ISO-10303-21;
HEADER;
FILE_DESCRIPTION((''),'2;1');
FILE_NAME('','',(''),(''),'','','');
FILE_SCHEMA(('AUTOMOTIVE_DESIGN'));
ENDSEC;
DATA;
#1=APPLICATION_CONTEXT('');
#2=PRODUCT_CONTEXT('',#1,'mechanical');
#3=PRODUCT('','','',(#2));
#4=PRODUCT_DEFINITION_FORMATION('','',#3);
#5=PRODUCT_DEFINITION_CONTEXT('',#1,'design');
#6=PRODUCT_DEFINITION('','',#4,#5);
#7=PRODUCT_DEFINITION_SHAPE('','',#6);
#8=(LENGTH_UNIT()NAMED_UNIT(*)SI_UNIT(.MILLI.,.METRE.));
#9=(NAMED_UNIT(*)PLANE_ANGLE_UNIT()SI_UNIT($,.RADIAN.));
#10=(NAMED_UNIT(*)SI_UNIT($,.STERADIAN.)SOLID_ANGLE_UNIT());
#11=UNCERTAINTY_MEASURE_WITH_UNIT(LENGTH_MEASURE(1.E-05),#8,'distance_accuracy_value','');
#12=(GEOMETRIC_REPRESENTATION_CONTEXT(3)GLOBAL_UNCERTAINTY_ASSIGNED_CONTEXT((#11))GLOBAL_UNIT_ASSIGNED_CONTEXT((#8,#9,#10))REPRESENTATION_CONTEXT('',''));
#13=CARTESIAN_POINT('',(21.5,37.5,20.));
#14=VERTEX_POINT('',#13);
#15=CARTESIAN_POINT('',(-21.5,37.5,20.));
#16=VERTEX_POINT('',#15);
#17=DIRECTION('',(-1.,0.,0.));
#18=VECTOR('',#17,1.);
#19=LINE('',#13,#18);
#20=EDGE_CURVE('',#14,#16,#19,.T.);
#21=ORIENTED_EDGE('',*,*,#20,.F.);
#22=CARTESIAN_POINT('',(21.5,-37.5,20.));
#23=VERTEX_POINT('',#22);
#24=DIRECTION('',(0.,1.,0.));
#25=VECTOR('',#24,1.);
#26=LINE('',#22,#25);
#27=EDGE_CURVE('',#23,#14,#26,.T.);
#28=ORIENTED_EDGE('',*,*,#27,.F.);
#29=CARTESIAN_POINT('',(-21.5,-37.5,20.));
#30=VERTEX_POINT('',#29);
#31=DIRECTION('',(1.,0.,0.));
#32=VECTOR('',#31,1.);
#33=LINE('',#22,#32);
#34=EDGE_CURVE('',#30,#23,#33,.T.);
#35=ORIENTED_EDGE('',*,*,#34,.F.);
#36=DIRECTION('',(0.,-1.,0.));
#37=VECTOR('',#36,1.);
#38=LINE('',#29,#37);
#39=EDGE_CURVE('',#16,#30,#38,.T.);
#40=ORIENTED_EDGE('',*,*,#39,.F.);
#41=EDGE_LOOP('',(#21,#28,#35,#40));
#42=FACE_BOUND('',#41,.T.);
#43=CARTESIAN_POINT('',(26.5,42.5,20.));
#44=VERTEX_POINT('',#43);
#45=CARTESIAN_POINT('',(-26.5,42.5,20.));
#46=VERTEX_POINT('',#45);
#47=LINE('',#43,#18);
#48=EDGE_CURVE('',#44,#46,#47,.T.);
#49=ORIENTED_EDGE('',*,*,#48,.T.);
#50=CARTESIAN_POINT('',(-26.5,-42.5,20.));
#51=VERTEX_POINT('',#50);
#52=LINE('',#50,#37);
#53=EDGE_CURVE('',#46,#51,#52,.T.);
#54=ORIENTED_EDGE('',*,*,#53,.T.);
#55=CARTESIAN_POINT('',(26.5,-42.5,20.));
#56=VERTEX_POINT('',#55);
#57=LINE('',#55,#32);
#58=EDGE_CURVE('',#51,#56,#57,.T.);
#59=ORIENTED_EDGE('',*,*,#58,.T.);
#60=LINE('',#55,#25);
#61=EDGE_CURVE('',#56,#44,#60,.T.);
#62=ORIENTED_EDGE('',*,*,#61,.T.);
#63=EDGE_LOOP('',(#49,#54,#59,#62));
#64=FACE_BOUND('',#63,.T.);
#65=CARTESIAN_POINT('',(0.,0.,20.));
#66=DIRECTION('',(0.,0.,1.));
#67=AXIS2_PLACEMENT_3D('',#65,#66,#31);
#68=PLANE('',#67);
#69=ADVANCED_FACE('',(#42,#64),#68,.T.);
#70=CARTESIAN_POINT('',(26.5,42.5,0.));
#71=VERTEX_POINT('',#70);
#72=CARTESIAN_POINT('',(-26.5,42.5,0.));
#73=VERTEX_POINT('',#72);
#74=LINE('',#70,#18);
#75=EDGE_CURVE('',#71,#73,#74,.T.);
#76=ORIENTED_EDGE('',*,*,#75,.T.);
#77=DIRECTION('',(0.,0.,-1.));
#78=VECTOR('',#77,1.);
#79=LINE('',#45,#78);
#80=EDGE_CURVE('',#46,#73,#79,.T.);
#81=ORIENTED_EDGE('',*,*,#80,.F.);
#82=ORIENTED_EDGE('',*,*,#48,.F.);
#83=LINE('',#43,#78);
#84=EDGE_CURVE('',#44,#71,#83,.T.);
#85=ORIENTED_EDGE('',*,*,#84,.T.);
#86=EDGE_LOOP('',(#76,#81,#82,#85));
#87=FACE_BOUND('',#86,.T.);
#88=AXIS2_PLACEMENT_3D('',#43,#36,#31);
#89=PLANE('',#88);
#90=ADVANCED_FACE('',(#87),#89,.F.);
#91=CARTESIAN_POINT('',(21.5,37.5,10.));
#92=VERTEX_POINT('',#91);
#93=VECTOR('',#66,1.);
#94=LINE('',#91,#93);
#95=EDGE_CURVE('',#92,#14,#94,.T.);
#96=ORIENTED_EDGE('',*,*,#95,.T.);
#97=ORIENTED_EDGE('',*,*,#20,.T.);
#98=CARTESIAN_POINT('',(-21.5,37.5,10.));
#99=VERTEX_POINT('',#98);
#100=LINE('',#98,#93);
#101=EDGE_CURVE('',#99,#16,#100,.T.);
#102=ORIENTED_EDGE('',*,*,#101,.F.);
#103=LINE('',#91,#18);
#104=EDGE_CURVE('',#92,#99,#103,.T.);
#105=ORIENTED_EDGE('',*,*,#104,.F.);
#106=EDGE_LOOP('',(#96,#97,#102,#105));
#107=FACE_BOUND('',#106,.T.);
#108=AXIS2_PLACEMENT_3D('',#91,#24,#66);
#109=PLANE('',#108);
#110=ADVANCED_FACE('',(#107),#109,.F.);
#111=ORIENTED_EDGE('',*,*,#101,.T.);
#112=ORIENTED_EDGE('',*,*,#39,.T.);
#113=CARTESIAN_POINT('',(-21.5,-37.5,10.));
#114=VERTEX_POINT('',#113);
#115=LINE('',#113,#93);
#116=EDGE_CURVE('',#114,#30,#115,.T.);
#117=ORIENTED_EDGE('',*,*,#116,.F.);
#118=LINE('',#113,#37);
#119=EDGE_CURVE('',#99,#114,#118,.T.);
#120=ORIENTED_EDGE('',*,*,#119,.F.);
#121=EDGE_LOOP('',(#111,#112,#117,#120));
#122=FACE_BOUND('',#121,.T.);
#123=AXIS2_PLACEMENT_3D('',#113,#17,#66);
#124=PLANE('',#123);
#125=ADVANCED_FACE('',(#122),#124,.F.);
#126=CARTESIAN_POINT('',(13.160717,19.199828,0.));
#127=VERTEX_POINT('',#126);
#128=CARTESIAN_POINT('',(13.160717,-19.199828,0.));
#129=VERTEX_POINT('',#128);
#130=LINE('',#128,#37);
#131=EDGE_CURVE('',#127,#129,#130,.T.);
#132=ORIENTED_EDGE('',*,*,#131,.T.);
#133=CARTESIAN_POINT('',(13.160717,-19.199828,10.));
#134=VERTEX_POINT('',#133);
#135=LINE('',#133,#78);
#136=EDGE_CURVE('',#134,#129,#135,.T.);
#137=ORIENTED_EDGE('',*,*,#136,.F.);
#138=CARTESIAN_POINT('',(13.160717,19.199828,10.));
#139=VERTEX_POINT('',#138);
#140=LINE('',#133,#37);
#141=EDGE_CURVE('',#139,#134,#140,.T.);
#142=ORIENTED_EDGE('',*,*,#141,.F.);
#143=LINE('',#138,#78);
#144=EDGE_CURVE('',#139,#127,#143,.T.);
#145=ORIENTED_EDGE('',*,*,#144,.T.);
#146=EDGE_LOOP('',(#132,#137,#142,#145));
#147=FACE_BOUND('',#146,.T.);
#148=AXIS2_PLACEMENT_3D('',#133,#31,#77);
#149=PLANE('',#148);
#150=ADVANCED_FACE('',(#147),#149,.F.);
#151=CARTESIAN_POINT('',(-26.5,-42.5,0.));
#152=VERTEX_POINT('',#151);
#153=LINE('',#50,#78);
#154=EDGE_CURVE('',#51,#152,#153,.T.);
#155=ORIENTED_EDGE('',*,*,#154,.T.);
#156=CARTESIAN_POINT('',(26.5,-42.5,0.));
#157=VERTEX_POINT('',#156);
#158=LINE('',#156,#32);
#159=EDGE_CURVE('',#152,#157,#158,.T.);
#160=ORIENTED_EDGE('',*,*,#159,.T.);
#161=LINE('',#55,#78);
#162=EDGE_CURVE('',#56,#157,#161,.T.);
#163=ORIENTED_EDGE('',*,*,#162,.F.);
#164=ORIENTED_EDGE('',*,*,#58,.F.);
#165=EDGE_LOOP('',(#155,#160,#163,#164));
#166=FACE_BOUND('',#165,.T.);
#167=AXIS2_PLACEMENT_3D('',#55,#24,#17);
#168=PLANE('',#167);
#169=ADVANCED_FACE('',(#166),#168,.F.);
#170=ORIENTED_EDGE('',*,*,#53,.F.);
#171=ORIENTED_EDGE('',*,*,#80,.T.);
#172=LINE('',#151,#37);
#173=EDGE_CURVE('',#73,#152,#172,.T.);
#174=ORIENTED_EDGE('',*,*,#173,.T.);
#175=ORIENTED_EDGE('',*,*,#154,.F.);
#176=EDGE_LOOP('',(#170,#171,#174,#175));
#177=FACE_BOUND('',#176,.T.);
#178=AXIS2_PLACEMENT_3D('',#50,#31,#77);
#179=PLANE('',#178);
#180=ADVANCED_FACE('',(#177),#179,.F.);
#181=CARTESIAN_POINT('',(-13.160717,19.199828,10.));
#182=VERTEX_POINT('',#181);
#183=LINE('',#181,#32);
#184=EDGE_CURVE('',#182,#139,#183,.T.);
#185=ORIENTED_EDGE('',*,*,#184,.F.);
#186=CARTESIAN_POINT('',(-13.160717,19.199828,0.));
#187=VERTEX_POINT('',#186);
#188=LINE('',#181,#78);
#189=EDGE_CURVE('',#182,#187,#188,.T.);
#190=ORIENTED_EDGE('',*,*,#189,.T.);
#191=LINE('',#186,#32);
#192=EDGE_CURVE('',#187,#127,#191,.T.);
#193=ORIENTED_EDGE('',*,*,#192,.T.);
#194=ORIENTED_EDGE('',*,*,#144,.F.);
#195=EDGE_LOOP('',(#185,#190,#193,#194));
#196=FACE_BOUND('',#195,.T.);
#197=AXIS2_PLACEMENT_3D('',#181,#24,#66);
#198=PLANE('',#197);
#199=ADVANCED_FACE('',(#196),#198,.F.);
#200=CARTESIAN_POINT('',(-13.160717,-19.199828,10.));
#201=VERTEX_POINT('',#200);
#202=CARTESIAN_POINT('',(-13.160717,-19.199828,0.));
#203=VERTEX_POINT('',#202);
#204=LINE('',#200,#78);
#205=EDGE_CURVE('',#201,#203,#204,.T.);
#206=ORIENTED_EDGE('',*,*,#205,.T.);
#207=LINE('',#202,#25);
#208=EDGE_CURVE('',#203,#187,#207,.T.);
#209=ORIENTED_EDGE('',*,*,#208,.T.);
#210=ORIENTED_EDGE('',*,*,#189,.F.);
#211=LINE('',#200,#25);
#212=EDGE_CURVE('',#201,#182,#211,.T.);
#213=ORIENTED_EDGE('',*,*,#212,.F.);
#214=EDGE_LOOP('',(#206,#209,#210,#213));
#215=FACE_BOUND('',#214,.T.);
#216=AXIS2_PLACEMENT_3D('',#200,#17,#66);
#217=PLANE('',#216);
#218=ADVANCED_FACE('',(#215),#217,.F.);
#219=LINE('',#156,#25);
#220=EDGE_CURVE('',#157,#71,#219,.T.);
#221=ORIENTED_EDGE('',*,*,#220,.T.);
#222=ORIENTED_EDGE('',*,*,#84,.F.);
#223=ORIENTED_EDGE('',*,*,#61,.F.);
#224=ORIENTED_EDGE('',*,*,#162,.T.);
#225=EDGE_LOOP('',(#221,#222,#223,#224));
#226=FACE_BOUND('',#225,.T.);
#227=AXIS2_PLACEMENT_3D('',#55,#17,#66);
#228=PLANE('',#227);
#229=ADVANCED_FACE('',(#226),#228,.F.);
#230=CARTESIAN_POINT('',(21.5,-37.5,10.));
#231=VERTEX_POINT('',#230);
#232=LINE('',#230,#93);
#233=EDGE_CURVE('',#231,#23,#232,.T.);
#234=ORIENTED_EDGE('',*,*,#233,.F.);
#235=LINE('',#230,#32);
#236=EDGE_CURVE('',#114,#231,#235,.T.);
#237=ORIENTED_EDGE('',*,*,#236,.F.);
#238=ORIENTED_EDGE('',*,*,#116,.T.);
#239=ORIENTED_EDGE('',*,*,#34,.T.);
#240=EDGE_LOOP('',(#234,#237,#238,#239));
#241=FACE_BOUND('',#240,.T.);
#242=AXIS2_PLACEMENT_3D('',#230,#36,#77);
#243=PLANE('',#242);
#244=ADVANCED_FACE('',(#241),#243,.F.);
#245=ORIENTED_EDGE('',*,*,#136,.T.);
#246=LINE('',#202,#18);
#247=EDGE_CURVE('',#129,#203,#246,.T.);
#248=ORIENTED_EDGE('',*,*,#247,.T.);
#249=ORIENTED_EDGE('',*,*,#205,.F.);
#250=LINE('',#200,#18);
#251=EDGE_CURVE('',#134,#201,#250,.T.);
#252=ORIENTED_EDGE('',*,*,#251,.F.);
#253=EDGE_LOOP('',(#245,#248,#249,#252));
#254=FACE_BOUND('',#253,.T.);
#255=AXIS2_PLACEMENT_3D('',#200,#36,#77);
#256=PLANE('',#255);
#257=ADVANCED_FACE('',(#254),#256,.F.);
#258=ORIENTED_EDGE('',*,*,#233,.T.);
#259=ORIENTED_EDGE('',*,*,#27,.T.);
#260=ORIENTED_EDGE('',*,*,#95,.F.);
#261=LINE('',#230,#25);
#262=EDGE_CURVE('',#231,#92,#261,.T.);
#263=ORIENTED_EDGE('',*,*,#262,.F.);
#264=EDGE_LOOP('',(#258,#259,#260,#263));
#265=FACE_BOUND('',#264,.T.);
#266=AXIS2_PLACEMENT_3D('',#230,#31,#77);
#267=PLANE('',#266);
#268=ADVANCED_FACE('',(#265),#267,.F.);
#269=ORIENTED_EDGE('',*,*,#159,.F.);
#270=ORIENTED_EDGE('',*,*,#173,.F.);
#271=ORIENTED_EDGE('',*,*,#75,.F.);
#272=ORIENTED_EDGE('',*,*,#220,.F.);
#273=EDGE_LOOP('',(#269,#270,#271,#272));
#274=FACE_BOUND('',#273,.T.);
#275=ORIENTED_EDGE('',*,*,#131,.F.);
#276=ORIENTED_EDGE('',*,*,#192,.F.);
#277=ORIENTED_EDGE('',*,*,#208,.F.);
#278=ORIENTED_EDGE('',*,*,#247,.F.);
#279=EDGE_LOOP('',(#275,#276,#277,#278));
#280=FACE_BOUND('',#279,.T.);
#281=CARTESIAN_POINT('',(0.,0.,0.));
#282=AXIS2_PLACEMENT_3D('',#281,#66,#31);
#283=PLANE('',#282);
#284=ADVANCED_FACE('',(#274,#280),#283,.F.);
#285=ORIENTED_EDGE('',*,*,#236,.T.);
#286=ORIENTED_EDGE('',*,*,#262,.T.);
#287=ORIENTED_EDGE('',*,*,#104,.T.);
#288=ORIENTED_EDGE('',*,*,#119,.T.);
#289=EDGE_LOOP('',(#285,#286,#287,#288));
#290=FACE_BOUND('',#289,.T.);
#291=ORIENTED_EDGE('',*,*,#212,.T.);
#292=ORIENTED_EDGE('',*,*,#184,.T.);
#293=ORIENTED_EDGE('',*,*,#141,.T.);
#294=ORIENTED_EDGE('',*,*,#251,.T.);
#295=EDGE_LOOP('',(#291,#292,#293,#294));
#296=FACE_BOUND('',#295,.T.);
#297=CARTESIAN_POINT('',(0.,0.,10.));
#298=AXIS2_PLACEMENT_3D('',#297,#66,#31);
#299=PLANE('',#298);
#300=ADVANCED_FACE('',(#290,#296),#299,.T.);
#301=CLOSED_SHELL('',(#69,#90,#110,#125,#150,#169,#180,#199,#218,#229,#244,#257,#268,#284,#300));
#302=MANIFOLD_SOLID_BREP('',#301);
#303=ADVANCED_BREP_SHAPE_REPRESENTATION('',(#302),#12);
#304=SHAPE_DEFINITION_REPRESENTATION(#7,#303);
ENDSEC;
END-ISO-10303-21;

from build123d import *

# Parameters (mm, degrees)
SKETCH3_W           = 53
SKETCH3_H           = 85
BOSS_EXTRUDE1_DEPTH = 20
SKETCH4_W           = 43
SKETCH4_H           = 75
CUT_EXTRUDE1_DEPTH  = 10
SKETCH5_W           = 26.321433762
SKETCH5_H           = 38.399655618
CUT_EXTRUDE2_DEPTH  = 10


with BuildPart() as part:
    # Sketch3 → Boss-Extrude1 (new body)
    with BuildSketch(Plane.XY):
        Rectangle(SKETCH3_W, SKETCH3_H)
    extrude(amount=BOSS_EXTRUDE1_DEPTH)

    # Sketch4 → Cut-Extrude1 (cut)
    with BuildSketch(Plane.XY.offset(20)):
        Rectangle(SKETCH4_W, SKETCH4_H)
    extrude(amount=-CUT_EXTRUDE1_DEPTH, mode=Mode.SUBTRACT)

    # Sketch5 → Cut-Extrude2 (cut)
    with BuildSketch(Plane(origin=(0, 0, 0), x_dir=(-1, 0, 0), z_dir=(0, 0, -1))):
        Rectangle(SKETCH5_W, SKETCH5_H)
    extrude(amount=-CUT_EXTRUDE2_DEPTH, mode=Mode.SUBTRACT)


solid = part.part
